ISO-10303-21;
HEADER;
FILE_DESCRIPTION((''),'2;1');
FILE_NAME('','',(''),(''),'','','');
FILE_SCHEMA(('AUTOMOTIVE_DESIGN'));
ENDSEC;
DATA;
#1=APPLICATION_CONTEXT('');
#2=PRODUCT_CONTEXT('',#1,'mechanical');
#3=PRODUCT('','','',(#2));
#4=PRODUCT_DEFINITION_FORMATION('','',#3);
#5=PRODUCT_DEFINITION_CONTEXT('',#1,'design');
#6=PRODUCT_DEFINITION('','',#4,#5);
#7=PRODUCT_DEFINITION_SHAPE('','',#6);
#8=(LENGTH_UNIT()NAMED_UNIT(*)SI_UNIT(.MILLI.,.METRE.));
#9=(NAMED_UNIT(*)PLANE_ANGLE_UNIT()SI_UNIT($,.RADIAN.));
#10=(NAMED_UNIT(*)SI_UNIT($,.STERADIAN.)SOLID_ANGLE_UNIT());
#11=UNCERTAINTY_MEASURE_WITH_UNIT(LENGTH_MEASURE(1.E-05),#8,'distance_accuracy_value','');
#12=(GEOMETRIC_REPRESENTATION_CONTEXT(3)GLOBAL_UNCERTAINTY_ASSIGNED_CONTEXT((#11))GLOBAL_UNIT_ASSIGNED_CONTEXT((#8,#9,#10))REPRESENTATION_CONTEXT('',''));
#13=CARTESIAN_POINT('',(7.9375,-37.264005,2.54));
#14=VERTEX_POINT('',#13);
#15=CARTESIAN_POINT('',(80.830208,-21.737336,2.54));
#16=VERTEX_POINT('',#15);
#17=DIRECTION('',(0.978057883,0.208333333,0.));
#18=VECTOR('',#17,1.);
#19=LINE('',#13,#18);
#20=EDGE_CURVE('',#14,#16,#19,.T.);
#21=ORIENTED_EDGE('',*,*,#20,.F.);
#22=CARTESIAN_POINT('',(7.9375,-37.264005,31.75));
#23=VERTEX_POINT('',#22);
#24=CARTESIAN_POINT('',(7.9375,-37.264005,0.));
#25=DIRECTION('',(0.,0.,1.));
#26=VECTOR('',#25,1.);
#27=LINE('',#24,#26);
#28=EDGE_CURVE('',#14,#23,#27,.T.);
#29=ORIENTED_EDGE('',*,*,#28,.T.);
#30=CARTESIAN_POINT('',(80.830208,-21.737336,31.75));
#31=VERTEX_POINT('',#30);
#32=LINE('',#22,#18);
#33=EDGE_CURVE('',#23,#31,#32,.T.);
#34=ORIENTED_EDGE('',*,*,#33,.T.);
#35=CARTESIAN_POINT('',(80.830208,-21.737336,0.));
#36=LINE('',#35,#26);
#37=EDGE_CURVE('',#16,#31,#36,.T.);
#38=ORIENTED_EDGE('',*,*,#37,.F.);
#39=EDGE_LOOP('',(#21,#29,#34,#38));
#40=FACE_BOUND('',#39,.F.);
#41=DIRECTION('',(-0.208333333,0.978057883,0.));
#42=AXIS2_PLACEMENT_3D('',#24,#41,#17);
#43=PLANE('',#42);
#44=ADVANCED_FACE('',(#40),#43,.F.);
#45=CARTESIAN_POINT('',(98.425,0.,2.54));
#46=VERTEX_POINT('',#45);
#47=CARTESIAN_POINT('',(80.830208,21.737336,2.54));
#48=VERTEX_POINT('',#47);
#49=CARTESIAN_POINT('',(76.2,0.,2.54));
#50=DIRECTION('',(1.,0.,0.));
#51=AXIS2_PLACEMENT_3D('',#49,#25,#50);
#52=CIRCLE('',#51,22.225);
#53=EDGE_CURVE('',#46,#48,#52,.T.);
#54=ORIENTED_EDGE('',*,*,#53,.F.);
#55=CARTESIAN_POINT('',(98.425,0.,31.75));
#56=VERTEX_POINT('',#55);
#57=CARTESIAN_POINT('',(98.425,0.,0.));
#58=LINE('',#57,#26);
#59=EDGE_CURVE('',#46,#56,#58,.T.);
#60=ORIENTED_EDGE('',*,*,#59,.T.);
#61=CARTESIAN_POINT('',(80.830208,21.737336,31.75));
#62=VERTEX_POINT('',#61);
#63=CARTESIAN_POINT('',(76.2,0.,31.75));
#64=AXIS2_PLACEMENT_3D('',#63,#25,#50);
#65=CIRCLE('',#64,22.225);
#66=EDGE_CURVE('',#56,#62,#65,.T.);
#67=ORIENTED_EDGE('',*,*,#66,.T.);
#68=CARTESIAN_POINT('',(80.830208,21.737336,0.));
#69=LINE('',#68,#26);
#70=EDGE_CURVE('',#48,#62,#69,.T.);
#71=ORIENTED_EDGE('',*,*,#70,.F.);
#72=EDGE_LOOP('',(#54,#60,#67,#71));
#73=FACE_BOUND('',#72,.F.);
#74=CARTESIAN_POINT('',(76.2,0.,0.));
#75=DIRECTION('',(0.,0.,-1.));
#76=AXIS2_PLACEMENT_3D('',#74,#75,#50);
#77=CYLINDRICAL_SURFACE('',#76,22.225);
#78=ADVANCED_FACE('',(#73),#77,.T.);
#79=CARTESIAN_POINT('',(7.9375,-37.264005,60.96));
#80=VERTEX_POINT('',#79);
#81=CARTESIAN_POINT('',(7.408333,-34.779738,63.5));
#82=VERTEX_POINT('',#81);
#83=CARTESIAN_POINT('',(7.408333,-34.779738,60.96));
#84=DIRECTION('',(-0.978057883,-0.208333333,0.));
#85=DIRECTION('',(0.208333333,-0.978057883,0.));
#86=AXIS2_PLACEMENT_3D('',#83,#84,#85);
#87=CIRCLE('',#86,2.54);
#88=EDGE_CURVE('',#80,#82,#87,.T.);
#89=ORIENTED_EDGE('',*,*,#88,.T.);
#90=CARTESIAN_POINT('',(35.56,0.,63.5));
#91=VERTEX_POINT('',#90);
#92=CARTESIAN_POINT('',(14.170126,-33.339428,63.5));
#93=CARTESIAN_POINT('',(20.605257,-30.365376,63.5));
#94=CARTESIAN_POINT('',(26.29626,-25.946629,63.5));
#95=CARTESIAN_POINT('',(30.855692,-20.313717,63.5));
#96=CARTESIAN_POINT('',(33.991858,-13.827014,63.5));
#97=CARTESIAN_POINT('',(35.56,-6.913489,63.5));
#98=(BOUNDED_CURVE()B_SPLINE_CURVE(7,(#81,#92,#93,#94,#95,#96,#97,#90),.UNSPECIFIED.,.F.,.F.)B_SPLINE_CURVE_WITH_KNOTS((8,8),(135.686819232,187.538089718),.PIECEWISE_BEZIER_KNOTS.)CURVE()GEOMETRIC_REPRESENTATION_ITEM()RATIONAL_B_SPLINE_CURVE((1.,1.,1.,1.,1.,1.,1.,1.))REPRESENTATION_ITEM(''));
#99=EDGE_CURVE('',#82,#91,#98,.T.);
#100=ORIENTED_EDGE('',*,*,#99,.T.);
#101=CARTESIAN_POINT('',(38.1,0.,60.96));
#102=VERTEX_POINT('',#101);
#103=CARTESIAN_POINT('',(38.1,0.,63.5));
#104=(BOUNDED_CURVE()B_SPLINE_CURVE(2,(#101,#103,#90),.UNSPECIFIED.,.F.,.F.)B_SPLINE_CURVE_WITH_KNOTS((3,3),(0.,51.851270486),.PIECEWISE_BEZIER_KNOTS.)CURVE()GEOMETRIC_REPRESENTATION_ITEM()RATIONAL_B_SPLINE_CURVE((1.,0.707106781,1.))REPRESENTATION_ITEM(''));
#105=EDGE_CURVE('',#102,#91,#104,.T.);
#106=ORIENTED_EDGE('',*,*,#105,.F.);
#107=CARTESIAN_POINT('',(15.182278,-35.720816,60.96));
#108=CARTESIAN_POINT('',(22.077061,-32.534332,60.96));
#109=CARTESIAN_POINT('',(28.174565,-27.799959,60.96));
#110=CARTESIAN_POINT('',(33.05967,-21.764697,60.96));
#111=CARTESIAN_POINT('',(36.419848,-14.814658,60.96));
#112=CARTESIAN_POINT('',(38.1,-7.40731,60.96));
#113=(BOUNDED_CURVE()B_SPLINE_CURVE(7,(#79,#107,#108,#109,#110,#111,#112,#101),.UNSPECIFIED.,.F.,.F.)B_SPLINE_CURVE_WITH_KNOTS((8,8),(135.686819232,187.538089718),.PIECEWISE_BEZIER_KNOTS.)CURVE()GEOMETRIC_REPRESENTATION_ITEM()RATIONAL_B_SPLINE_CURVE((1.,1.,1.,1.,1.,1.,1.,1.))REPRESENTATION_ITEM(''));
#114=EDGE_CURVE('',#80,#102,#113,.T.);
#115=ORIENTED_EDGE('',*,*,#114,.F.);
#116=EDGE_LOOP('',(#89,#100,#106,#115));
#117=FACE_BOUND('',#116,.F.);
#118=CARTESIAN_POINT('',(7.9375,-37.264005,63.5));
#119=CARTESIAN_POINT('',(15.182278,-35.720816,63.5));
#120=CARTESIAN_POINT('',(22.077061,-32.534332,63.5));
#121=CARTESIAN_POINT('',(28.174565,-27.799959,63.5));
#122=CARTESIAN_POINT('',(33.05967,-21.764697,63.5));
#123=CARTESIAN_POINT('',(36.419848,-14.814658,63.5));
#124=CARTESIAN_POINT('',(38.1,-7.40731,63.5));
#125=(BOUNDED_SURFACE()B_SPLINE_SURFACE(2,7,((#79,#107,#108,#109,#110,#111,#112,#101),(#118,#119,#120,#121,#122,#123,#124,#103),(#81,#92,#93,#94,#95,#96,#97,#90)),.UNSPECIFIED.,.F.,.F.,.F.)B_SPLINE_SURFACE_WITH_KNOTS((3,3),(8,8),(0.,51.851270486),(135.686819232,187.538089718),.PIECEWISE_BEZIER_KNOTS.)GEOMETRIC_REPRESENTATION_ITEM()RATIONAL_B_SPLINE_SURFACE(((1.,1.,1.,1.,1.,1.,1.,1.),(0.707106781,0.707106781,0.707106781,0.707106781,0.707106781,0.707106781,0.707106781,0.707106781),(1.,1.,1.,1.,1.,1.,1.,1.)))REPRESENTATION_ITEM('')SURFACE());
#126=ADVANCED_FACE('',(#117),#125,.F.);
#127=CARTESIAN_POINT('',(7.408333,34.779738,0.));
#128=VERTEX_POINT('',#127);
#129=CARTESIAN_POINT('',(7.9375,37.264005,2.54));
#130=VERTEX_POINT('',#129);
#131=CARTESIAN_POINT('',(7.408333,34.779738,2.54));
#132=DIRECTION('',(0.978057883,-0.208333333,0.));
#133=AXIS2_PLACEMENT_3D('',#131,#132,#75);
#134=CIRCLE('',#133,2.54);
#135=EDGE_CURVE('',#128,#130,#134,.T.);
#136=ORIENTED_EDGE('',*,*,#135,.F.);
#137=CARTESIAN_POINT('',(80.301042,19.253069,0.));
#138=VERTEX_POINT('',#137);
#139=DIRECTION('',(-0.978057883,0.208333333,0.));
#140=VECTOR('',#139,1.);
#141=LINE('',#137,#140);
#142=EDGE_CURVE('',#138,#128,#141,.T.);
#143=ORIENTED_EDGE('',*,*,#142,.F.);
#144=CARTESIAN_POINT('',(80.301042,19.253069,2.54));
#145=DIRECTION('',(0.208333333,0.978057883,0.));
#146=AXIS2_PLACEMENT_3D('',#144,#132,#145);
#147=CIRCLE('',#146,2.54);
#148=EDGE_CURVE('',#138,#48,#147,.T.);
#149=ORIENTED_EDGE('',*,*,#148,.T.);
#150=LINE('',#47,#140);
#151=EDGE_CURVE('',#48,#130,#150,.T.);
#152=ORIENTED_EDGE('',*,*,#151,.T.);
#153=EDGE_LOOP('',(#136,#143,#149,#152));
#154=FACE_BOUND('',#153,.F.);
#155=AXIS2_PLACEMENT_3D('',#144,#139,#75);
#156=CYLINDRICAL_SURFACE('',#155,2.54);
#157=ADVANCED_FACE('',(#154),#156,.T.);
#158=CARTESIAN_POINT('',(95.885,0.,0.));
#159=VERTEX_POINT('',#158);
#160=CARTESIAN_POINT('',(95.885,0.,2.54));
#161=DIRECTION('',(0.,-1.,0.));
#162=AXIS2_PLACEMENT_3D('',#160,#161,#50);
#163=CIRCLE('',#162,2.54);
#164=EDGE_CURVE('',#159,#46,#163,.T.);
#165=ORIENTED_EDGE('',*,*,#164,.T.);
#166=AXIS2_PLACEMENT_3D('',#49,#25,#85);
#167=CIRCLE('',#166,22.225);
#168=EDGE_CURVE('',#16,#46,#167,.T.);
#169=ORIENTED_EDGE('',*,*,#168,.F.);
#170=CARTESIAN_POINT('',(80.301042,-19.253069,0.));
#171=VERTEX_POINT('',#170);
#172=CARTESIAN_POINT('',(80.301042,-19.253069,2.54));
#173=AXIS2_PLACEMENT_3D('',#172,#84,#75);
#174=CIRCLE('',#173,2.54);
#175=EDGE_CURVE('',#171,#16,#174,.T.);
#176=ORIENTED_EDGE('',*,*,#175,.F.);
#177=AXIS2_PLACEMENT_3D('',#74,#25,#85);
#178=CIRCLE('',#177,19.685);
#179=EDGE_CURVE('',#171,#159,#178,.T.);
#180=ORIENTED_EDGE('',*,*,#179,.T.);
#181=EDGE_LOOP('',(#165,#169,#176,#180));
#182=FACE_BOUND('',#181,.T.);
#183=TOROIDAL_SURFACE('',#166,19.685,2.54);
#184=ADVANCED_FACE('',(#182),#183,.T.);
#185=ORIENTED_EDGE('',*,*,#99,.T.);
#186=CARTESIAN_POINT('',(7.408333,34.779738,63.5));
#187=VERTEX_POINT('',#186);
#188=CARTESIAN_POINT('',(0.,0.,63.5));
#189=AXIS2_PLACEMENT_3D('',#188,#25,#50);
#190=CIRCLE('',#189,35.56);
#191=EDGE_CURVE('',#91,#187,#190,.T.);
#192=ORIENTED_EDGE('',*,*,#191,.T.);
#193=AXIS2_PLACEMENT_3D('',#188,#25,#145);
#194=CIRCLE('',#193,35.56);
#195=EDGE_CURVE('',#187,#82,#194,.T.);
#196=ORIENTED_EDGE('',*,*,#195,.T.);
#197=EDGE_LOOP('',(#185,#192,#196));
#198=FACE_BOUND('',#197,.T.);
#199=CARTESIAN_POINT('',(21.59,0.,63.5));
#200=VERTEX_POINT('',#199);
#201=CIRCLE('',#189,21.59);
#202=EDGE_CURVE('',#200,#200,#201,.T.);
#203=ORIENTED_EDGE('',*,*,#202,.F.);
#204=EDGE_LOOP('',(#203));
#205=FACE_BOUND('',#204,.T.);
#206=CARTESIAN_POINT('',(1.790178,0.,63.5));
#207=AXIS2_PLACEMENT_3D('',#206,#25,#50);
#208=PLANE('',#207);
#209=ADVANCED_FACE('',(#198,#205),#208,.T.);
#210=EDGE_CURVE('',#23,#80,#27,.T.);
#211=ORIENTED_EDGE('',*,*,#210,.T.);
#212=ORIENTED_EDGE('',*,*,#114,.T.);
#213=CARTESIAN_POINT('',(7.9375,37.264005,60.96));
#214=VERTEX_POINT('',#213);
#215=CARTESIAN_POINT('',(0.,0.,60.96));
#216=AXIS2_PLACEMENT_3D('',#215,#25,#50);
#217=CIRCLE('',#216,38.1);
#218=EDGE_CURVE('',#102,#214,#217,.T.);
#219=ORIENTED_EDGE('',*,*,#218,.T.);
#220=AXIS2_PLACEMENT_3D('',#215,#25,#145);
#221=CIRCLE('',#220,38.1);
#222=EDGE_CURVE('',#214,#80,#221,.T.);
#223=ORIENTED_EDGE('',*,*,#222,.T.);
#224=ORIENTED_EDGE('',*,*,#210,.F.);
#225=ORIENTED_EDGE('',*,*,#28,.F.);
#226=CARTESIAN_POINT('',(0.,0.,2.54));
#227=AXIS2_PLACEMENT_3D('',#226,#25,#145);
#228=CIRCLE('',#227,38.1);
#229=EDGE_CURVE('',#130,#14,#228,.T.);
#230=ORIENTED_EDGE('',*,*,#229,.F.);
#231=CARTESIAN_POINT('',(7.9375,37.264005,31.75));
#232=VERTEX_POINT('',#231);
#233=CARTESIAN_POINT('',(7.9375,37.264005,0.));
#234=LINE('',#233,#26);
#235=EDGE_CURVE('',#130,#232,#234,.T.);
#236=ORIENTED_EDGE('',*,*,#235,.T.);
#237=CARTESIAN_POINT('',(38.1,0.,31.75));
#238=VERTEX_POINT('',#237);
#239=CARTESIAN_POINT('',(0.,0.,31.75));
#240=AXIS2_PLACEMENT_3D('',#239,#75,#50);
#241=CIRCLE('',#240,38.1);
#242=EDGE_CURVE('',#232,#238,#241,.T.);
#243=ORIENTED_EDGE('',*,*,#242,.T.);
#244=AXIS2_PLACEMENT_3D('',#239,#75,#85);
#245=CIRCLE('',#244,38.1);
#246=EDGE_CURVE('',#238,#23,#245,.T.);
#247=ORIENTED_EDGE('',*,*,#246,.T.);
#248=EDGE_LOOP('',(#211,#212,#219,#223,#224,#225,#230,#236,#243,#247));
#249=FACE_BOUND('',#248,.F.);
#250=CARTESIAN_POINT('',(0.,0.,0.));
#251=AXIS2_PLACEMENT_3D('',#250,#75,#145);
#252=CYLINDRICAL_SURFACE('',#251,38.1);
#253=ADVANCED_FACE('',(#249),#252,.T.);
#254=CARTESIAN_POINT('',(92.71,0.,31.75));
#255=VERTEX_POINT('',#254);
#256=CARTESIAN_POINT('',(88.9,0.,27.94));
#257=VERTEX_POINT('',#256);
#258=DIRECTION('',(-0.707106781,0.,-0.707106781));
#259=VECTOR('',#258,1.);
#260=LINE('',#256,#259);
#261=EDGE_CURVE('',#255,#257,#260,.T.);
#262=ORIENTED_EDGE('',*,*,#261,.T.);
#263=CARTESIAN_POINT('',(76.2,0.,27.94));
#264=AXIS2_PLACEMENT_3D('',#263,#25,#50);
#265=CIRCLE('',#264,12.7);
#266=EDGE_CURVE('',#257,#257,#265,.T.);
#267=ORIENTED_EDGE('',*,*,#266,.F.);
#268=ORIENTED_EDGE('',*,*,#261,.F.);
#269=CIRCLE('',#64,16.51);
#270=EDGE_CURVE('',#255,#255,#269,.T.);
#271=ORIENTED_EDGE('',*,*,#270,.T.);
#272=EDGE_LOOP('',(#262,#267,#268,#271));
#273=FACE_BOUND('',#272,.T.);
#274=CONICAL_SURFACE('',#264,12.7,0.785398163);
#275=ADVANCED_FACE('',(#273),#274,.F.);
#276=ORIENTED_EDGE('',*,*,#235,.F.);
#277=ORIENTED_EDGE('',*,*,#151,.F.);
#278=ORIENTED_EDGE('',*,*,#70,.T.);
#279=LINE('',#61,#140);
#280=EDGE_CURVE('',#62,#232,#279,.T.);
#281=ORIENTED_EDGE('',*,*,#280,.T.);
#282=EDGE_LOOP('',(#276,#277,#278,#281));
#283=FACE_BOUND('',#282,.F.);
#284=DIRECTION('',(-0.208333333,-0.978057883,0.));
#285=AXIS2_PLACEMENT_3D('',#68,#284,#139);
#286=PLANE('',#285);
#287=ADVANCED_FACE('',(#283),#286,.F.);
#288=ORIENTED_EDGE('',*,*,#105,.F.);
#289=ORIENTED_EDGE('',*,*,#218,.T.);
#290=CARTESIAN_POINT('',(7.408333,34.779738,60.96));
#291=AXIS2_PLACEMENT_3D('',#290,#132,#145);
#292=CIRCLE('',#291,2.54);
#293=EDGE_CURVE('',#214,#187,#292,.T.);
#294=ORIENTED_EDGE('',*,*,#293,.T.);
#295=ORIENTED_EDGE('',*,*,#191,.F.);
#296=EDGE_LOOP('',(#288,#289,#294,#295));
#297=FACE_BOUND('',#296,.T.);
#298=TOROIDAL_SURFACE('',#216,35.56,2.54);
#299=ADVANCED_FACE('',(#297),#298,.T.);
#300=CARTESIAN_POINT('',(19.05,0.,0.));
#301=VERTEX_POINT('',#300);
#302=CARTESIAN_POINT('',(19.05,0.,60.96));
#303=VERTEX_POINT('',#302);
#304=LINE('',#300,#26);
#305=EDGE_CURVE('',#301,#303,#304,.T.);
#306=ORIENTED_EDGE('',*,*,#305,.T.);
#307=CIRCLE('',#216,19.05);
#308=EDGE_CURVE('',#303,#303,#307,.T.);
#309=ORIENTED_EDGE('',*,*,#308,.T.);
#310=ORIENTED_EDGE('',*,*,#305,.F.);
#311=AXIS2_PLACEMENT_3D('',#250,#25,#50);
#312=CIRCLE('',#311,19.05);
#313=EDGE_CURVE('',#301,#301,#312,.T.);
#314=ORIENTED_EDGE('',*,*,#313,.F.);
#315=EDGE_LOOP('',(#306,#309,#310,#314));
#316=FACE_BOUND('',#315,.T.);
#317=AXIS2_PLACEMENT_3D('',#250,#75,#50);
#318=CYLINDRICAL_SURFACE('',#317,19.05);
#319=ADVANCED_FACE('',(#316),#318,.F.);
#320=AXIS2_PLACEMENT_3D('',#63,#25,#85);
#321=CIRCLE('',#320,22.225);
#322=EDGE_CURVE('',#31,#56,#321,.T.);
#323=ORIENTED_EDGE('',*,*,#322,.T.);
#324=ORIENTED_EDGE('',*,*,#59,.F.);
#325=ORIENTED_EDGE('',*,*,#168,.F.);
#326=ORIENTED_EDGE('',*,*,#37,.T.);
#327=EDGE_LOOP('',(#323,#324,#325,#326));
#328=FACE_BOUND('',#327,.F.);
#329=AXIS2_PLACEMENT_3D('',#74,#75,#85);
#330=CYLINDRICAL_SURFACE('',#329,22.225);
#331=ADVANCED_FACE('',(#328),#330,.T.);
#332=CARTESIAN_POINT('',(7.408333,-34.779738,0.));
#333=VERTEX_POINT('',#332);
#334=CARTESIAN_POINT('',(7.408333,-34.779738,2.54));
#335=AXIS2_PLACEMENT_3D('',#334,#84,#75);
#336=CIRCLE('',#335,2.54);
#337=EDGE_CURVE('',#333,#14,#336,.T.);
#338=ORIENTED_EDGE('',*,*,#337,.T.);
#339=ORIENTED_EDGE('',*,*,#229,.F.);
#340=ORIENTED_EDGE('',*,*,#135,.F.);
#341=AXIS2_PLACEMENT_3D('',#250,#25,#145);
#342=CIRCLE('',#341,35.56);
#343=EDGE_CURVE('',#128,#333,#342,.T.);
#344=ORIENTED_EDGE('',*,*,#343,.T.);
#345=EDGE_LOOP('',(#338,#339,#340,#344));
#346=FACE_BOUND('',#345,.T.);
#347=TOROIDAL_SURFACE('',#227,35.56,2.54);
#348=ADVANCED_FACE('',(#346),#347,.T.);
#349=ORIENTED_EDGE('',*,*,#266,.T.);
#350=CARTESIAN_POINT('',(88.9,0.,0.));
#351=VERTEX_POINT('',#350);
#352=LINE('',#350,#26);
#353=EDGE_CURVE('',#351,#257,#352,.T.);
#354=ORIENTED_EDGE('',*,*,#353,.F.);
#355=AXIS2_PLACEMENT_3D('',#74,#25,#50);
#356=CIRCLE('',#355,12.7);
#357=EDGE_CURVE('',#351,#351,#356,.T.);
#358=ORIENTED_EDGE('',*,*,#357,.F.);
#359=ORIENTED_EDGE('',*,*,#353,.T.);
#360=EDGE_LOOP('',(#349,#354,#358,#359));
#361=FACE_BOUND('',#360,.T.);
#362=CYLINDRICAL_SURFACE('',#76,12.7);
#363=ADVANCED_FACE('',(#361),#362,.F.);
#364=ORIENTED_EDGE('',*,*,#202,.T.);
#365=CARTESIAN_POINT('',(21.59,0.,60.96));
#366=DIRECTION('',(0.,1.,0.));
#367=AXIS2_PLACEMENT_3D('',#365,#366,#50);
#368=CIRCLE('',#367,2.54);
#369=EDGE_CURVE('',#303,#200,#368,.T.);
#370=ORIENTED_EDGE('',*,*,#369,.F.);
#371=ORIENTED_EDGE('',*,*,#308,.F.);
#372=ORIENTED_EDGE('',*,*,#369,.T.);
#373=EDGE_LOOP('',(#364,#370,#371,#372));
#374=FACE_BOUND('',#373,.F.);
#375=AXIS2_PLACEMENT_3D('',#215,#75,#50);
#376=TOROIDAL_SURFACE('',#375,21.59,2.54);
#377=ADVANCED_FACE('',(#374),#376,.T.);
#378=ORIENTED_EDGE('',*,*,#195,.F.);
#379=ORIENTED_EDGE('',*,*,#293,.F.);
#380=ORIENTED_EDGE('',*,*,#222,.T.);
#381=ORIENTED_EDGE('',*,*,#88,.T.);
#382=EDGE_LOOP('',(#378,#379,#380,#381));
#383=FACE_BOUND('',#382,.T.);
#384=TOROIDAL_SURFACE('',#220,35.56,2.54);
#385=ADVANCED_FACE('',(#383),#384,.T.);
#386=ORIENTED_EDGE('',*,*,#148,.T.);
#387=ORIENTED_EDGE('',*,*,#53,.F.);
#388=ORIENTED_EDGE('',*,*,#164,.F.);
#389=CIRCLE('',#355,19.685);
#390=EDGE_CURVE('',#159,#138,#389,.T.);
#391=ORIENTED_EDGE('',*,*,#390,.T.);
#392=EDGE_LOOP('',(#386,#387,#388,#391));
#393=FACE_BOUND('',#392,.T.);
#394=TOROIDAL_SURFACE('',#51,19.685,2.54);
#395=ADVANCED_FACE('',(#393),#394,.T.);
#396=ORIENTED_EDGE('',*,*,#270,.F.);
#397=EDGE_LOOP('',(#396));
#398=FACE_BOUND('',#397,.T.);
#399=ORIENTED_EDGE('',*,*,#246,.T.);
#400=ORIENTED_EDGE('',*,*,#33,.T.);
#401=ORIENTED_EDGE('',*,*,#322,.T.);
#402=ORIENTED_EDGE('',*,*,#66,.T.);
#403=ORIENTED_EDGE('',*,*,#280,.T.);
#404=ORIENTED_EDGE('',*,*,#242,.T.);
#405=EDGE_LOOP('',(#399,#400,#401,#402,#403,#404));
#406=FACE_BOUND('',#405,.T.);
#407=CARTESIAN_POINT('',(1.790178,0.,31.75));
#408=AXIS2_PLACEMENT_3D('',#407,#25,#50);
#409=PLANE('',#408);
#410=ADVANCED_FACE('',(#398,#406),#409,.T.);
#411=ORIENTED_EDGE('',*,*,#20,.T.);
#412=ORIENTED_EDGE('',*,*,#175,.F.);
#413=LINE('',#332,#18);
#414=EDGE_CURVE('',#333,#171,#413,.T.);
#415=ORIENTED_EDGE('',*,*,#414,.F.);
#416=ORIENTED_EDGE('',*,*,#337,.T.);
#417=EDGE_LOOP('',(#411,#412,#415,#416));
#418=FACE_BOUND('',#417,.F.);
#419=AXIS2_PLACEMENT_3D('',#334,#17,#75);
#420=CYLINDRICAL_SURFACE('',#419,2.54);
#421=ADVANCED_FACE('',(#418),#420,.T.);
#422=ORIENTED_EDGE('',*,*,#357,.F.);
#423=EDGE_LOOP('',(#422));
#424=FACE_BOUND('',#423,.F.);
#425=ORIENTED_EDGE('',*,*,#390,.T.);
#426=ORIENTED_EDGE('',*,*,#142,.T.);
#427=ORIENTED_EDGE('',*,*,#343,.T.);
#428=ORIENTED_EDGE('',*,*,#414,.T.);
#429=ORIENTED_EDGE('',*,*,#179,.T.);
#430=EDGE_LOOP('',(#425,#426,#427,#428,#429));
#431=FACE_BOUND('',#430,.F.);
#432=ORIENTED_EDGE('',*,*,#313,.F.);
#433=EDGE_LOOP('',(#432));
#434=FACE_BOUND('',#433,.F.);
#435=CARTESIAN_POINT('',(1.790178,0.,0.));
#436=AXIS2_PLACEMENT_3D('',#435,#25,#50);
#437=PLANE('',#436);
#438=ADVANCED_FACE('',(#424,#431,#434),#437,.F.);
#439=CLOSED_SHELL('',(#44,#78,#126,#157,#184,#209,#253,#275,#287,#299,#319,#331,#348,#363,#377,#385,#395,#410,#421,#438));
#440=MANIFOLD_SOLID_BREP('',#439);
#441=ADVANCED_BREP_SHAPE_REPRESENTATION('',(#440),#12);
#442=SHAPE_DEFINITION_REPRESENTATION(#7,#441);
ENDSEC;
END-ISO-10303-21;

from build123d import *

# Parameters (mm, degrees)
F0_R     = 19.05
F0_R_2   = 12.7
F1_DEPTH = 31.75
F2_DEPTH = 63.5
F3_R     = 2.54
F4_SIZE  = 3.81


with BuildPart() as f1:
    # F0 (on Top) → F1 (new body)
    with BuildSketch(Plane.XY):
        with BuildLine():
            ThreePointArc((7.9375, -37.2640053369), (29.6144284936, -23.970724332), (38.1, 0))
            ThreePointArc((38.1, 0), (29.6144284936, 23.970724332), (7.9375, 37.2640053369))
            ThreePointArc((7.9375, 37.2640053369), (-38.1, 0), (7.9375, -37.2640053369))
        make_face()
        Circle(F0_R, mode=Mode.SUBTRACT)
        with BuildLine():
            ThreePointArc((7.9375, 37.2640053369), (29.6144284936, 23.970724332), (38.1, 0))
            ThreePointArc((38.1, 0), (29.6144284936, -23.970724332), (7.9375, -37.2640053369))
            Line((7.9375, -37.2640053369), (80.8302083333, -21.7373364465))
            ThreePointArc((80.8302083333, -21.7373364465), (53.975, 0), (80.8302083333, 21.7373364465))
            Line((80.8302083333, 21.7373364465), (7.9375, 37.2640053369))
        make_face()
        with BuildLine():
            ThreePointArc((98.425, 0), (93.4750832879, 13.982922527), (80.8302083333, 21.7373364465))
            ThreePointArc((80.8302083333, 21.7373364465), (53.975, 0), (80.8302083333, -21.7373364465))
            ThreePointArc((80.8302083333, -21.7373364465), (93.4750832879, -13.982922527), (98.425, 0))
        make_face()
        with Locations((76.2, 0)):
            Circle(F0_R_2, mode=Mode.SUBTRACT)
    extrude(amount=F1_DEPTH)

    # F0 (on Top) → F2 (join)
    with BuildSketch(Plane.XY):
        with BuildLine():
            ThreePointArc((7.9375, -37.2640053369), (29.6144284936, -23.970724332), (38.1, 0))
            ThreePointArc((38.1, 0), (29.6144284936, 23.970724332), (7.9375, 37.2640053369))
            ThreePointArc((7.9375, 37.2640053369), (-38.1, 0), (7.9375, -37.2640053369))
        make_face()
        Circle(F0_R, mode=Mode.SUBTRACT)
    extrude(amount=F2_DEPTH)

    # F3
    f3_edges = [f1.edges().sort_by_distance(p)[0] for p in [
        (-7.9375, 37.264005, 63.5),
        (-19.05, 0, 63.5),
        (44.383854, -29.500671, 0),
    ]]
    fillet(f3_edges, radius=F3_R)

    # F4
    f4_edges = [f1.edges().sort_by_distance(p)[0] for p in [
        (-21.59, 0, 63.5),
        (63.5, 0, 31.75),
    ]]
    chamfer(f4_edges, length=F4_SIZE)


solid = f1.part
